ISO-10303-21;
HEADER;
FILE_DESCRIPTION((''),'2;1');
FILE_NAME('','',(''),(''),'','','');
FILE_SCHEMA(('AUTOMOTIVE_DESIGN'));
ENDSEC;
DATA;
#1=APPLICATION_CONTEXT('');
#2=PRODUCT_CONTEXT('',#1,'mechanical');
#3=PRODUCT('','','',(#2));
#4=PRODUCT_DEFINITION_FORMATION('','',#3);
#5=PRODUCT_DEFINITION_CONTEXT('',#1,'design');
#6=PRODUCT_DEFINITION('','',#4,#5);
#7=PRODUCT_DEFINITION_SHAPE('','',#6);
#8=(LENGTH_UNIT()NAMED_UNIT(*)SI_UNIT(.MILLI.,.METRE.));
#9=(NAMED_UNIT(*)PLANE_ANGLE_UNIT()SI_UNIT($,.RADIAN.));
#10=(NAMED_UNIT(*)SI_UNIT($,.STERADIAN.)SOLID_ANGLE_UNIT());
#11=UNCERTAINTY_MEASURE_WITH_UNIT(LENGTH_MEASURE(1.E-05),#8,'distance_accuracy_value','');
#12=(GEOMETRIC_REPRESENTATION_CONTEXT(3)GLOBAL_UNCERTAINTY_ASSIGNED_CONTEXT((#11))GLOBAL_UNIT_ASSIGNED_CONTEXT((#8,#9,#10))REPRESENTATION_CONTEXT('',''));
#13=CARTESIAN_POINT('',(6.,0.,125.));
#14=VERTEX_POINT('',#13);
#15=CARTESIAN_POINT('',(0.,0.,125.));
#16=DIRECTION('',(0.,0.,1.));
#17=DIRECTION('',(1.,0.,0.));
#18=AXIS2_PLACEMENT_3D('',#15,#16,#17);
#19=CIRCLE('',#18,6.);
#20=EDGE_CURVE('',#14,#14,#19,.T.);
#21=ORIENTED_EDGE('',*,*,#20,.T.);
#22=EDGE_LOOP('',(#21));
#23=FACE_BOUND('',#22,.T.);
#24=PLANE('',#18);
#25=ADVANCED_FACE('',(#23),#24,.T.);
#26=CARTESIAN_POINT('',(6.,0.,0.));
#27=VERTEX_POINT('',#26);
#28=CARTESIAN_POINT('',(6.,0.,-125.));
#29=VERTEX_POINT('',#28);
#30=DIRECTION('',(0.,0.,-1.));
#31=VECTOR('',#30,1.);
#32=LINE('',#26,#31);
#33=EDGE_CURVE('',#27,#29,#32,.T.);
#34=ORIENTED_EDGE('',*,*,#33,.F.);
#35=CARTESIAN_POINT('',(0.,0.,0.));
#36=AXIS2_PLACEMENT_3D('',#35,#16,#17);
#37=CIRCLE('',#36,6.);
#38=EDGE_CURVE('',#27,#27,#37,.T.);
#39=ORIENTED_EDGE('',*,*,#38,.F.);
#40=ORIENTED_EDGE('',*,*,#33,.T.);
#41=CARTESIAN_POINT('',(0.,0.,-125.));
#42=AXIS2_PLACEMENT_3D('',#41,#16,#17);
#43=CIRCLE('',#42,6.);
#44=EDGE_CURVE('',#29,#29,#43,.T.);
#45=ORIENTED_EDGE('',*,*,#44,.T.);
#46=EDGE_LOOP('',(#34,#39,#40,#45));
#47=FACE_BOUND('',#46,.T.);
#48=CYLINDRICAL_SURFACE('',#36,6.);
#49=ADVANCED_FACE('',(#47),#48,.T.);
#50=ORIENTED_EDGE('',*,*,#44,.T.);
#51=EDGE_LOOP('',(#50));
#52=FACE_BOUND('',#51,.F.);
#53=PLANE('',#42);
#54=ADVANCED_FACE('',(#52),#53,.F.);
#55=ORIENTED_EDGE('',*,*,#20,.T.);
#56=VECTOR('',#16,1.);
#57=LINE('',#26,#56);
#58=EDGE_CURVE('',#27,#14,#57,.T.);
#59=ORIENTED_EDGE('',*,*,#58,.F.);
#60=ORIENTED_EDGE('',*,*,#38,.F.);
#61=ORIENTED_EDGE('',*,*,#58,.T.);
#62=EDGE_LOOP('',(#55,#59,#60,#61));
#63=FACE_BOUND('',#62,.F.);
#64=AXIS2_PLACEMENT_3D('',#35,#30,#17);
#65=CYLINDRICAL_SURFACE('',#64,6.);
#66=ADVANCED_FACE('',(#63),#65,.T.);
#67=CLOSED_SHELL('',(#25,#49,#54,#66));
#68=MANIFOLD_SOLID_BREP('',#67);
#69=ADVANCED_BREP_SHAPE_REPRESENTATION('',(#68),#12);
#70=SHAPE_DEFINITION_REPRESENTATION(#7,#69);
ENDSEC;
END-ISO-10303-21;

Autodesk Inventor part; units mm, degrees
ref_plane "YZ Plane" through (0, 0, 0) normal (1, 0, 0) x (0, 1, 0)
ref_plane "XZ Plane" through (0, 0, 0) normal (0, 1, 0) x (-1, 0, 0)
ref_plane "XY Plane" through (0, 0, 0) normal (0, 0, 1) x (1, 0, 0)
sketch "スケッチ1" plane through (0, 0, 0) normal (0, 0, 1) x (1, 0, 0)
  circle A0 centre (0, 0) radius 6
  dimension "d0" = 12
extrude "押し出し1" add sketch "スケッチ1" along normal mid plane 250
thread "ねじ1" size "M12x1.75" class "6g" standard "ANSI Metric M Profile" full length
properties part number "軸"
